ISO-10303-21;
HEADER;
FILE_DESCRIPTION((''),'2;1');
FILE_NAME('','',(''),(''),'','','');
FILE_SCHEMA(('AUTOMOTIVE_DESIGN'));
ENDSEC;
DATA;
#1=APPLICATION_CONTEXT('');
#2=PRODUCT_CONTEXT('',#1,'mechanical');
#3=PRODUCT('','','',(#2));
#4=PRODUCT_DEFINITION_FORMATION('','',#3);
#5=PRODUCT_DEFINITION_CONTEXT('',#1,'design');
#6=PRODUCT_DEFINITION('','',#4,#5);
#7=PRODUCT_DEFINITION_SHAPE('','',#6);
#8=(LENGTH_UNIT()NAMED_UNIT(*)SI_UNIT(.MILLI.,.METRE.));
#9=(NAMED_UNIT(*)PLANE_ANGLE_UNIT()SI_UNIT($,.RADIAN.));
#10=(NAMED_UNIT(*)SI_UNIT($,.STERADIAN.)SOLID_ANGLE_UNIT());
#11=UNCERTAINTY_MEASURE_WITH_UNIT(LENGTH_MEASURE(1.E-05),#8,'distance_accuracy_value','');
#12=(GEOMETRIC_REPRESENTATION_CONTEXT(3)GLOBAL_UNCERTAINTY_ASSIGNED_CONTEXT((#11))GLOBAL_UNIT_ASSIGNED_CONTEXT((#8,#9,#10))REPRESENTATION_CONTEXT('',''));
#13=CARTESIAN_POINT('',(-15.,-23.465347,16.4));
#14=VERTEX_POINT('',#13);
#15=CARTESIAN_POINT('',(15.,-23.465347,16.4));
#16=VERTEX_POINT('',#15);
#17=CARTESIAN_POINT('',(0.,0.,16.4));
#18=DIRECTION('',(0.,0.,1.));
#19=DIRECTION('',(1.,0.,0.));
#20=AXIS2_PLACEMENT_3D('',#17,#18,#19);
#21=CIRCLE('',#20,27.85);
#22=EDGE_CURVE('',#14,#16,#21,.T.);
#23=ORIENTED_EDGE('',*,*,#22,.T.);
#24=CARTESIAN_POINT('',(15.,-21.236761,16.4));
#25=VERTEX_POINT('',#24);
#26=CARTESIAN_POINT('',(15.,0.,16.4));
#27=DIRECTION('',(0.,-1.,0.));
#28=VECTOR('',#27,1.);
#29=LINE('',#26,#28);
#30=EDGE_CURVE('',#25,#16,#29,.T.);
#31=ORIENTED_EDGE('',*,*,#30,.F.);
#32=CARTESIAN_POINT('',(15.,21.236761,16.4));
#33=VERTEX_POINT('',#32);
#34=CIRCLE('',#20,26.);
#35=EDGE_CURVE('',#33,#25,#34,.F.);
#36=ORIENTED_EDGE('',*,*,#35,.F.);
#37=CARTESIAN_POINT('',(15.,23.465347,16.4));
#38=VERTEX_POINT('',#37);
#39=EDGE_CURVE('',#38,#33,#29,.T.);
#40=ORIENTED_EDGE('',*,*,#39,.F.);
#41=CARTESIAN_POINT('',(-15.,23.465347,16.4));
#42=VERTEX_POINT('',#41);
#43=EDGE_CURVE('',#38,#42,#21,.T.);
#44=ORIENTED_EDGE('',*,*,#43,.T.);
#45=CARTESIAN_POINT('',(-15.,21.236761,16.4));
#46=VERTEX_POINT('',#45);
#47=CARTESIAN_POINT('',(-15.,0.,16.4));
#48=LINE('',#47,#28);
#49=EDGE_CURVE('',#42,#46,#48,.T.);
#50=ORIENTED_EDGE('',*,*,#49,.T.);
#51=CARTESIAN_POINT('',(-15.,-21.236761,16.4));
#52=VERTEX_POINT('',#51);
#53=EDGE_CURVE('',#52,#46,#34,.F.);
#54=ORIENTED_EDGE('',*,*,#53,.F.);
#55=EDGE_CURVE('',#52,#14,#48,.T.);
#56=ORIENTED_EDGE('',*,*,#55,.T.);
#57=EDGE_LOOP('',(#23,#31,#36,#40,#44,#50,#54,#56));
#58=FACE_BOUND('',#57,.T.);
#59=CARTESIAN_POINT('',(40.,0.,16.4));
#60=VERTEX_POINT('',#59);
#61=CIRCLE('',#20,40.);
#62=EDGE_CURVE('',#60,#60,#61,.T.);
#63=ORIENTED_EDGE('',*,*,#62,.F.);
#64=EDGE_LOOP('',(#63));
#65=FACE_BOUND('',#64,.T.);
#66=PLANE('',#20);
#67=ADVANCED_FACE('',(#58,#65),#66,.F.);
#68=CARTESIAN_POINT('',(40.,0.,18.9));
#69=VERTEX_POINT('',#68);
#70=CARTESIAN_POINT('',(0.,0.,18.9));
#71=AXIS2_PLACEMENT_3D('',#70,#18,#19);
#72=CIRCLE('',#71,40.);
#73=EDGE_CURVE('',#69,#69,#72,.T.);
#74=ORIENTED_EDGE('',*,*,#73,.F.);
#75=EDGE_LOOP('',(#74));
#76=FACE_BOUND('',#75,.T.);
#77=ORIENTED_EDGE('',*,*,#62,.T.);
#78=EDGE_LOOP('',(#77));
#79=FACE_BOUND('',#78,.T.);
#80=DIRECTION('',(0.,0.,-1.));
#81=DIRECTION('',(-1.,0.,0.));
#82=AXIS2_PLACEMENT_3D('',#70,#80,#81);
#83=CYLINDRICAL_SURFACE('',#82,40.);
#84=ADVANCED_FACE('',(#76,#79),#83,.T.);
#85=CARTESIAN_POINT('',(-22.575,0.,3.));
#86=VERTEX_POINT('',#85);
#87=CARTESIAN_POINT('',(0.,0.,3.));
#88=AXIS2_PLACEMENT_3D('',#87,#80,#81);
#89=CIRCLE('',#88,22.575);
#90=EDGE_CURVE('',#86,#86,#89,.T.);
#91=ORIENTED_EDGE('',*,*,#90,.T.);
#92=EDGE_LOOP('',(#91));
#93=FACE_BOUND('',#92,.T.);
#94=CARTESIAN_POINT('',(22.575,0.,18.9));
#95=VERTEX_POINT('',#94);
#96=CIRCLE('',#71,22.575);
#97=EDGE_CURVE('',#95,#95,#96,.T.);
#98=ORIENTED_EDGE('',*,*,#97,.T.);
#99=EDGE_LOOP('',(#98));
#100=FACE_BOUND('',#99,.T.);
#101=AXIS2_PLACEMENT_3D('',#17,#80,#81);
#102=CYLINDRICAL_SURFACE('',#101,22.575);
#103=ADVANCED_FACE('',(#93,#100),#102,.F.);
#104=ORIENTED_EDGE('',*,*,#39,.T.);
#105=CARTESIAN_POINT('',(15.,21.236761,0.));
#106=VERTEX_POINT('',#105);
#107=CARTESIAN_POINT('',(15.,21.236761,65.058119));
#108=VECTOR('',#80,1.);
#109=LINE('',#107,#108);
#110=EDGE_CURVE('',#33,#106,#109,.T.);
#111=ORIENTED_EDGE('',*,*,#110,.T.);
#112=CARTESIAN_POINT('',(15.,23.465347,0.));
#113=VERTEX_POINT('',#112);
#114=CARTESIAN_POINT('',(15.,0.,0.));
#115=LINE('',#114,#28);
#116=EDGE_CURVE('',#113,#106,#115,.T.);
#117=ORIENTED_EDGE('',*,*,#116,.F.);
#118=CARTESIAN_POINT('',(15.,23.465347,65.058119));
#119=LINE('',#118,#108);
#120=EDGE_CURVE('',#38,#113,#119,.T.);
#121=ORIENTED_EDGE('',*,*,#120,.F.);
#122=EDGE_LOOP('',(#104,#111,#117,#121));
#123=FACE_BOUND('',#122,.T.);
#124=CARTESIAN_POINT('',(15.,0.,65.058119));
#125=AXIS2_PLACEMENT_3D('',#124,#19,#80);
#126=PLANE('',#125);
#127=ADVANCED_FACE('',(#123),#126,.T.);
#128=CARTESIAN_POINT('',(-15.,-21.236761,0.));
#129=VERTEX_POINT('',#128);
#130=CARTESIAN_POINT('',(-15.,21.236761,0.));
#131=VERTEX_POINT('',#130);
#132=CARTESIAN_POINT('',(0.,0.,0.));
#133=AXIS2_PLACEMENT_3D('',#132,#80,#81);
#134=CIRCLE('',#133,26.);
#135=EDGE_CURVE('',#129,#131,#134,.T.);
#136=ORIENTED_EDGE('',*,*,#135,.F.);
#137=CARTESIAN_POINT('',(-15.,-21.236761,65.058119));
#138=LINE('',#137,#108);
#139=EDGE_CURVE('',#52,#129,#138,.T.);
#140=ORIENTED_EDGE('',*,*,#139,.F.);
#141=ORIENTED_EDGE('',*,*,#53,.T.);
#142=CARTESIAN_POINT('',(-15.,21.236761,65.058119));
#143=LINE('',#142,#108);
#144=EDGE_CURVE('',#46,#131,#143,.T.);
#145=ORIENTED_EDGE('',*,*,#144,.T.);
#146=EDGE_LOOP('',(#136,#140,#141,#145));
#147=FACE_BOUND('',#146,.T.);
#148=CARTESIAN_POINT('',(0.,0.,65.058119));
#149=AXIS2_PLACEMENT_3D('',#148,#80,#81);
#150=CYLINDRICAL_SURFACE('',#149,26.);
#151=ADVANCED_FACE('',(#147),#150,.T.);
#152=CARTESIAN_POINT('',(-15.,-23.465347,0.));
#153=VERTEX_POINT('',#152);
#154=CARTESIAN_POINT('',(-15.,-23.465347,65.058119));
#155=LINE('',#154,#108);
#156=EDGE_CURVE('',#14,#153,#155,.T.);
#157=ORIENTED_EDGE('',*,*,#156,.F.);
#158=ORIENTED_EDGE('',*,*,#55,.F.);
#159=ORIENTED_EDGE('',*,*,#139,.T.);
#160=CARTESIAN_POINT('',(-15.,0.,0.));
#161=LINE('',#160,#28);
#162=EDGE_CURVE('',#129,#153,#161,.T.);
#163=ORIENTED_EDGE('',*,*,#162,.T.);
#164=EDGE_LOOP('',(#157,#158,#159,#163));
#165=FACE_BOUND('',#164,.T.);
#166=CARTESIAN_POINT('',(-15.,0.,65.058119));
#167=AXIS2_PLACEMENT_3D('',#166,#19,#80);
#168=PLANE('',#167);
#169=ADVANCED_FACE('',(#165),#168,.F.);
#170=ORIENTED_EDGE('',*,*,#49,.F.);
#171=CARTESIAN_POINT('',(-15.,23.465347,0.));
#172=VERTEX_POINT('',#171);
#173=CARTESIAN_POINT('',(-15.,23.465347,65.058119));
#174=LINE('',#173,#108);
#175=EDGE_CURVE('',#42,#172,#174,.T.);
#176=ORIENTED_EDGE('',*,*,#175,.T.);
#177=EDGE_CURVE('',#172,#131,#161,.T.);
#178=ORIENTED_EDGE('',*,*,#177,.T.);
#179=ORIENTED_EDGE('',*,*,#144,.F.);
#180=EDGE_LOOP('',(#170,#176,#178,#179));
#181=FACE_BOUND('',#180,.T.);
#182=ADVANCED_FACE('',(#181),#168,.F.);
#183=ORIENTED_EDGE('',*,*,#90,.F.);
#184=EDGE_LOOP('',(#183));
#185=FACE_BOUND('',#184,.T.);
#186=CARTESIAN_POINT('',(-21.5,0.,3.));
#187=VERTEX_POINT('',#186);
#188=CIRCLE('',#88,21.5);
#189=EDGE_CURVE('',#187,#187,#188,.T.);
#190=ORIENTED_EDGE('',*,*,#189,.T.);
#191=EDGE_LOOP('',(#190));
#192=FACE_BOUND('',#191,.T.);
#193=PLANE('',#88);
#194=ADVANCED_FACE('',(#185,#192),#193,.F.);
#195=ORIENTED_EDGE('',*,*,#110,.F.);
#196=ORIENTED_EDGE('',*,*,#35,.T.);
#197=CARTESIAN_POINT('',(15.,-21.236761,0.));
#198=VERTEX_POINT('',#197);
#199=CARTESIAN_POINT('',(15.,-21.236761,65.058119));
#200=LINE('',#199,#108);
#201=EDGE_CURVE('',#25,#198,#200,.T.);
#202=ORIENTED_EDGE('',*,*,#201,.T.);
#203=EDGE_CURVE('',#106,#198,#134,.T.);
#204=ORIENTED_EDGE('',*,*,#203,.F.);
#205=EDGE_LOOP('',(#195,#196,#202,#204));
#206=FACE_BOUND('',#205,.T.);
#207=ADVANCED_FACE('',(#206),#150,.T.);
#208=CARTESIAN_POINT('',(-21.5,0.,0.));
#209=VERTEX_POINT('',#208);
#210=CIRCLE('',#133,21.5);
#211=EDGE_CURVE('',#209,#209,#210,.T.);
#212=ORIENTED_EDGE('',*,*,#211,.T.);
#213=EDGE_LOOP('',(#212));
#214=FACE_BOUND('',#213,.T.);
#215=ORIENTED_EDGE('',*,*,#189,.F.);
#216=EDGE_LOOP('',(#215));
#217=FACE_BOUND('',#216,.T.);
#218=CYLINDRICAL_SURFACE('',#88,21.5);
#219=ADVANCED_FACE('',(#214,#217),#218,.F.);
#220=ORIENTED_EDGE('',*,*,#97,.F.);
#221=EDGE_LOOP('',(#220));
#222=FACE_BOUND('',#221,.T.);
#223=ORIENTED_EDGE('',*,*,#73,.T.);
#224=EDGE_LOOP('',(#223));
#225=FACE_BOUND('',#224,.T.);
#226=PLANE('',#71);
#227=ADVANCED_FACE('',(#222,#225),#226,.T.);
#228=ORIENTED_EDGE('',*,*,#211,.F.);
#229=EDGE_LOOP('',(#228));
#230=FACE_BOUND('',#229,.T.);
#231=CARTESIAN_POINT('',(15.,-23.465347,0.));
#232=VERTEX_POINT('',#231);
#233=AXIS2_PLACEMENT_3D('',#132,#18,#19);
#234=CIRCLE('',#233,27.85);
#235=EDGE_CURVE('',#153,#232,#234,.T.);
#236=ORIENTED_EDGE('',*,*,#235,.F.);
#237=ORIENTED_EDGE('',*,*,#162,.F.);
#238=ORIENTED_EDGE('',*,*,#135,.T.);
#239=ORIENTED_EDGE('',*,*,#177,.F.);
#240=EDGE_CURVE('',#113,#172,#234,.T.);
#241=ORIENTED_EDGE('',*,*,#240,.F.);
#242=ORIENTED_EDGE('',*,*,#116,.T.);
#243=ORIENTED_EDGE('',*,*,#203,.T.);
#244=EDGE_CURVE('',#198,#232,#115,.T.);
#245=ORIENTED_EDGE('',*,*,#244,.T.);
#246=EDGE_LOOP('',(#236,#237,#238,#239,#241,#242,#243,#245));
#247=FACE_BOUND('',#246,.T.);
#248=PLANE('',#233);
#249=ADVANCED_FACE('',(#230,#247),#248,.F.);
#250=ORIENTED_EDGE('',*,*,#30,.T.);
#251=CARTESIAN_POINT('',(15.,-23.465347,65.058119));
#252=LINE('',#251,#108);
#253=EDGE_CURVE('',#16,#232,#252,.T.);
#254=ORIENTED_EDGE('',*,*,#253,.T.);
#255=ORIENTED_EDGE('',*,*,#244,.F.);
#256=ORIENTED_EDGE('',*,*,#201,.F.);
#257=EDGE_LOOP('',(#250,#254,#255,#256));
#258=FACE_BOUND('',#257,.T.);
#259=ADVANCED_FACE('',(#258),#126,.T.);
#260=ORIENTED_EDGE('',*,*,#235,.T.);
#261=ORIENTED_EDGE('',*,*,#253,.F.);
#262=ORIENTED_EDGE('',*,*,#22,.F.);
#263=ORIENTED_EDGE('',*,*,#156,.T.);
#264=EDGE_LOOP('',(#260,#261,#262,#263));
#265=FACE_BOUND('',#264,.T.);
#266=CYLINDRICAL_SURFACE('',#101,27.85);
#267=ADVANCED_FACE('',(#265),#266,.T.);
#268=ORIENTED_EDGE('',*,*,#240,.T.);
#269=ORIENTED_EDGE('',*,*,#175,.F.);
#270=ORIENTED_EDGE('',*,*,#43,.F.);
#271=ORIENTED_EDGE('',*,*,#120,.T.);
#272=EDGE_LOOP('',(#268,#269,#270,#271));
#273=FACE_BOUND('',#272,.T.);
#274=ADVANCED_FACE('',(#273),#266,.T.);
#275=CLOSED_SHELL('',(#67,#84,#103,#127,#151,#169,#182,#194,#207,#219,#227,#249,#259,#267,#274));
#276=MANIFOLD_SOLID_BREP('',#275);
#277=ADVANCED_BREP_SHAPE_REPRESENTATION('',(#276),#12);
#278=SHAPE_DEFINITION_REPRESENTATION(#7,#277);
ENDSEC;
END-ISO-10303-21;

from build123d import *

# Parameters (mm, degrees)
SKETCH1_R           = 27.85
SKETCH1_R_2         = 22.575
BOSS_EXTRUDE1_DEPTH = 16.4
SKETCH2_R           = 40
SKETCH2_R_2         = 22.575
BOSS_EXTRUDE2_DEPTH = 2.5
SKETCH3_R           = 22.575
SKETCH3_R_2         = 21.5
BOSS_EXTRUDE3_DEPTH = 3
CUT_EXTRUDE1_DEPTH  = 16.4


with BuildPart() as part:
    # Sketch1 → Boss-Extrude1 (new body)
    with BuildSketch(Plane.XY):
        Circle(SKETCH1_R)
        Circle(SKETCH1_R_2, mode=Mode.SUBTRACT)
    extrude(amount=BOSS_EXTRUDE1_DEPTH)

    # Sketch2 → Boss-Extrude2 (add)
    with BuildSketch(Plane.XY.offset(16.4)):
        Circle(SKETCH2_R)
        Circle(SKETCH2_R_2, mode=Mode.SUBTRACT)
    extrude(amount=BOSS_EXTRUDE2_DEPTH)

    # Sketch3 → Boss-Extrude3 (add)
    with BuildSketch(Plane(origin=(0, 0, 0), x_dir=(-1, 0, 0), z_dir=(0, 0, -1))):
        Circle(SKETCH3_R)
        Circle(SKETCH3_R_2, mode=Mode.SUBTRACT)
    extrude(amount=-BOSS_EXTRUDE3_DEPTH)

    # Sketch4 → Cut-Extrude1 (cut)
    with BuildSketch(Plane(origin=(0, 0, 0), x_dir=(-1, 0, 0), z_dir=(0, 0, -1))):
        with BuildLine():
            Line((-15, 21.236760582), (-15, 23.465346791))
            ThreePointArc((-15, 23.465346791), (-27.85, 0), (-15, -23.465346791))
            Line((-15, -23.465346791), (-15, -21.236760582))
            ThreePointArc((-15, -21.236760582), (-26, 0), (-15, 21.236760582))
        make_face()
        with BuildLine():
            ThreePointArc((27.85, 0), (24.427162136, 13.376705499), (15, 23.465346791))
            Line((15, 23.465346791), (15, 21.236760582))
            ThreePointArc((15, 21.236760582), (23.086792761, 11.958260743), (26, 0))
            ThreePointArc((26, 0), (23.086792761, -11.958260743), (15, -21.236760582))
            Line((15, -21.236760582), (15, -23.465346791))
            ThreePointArc((15, -23.465346791), (24.427162136, -13.376705499), (27.85, 0))
        make_face()
    extrude(amount=-CUT_EXTRUDE1_DEPTH, mode=Mode.SUBTRACT)


solid = part.part
